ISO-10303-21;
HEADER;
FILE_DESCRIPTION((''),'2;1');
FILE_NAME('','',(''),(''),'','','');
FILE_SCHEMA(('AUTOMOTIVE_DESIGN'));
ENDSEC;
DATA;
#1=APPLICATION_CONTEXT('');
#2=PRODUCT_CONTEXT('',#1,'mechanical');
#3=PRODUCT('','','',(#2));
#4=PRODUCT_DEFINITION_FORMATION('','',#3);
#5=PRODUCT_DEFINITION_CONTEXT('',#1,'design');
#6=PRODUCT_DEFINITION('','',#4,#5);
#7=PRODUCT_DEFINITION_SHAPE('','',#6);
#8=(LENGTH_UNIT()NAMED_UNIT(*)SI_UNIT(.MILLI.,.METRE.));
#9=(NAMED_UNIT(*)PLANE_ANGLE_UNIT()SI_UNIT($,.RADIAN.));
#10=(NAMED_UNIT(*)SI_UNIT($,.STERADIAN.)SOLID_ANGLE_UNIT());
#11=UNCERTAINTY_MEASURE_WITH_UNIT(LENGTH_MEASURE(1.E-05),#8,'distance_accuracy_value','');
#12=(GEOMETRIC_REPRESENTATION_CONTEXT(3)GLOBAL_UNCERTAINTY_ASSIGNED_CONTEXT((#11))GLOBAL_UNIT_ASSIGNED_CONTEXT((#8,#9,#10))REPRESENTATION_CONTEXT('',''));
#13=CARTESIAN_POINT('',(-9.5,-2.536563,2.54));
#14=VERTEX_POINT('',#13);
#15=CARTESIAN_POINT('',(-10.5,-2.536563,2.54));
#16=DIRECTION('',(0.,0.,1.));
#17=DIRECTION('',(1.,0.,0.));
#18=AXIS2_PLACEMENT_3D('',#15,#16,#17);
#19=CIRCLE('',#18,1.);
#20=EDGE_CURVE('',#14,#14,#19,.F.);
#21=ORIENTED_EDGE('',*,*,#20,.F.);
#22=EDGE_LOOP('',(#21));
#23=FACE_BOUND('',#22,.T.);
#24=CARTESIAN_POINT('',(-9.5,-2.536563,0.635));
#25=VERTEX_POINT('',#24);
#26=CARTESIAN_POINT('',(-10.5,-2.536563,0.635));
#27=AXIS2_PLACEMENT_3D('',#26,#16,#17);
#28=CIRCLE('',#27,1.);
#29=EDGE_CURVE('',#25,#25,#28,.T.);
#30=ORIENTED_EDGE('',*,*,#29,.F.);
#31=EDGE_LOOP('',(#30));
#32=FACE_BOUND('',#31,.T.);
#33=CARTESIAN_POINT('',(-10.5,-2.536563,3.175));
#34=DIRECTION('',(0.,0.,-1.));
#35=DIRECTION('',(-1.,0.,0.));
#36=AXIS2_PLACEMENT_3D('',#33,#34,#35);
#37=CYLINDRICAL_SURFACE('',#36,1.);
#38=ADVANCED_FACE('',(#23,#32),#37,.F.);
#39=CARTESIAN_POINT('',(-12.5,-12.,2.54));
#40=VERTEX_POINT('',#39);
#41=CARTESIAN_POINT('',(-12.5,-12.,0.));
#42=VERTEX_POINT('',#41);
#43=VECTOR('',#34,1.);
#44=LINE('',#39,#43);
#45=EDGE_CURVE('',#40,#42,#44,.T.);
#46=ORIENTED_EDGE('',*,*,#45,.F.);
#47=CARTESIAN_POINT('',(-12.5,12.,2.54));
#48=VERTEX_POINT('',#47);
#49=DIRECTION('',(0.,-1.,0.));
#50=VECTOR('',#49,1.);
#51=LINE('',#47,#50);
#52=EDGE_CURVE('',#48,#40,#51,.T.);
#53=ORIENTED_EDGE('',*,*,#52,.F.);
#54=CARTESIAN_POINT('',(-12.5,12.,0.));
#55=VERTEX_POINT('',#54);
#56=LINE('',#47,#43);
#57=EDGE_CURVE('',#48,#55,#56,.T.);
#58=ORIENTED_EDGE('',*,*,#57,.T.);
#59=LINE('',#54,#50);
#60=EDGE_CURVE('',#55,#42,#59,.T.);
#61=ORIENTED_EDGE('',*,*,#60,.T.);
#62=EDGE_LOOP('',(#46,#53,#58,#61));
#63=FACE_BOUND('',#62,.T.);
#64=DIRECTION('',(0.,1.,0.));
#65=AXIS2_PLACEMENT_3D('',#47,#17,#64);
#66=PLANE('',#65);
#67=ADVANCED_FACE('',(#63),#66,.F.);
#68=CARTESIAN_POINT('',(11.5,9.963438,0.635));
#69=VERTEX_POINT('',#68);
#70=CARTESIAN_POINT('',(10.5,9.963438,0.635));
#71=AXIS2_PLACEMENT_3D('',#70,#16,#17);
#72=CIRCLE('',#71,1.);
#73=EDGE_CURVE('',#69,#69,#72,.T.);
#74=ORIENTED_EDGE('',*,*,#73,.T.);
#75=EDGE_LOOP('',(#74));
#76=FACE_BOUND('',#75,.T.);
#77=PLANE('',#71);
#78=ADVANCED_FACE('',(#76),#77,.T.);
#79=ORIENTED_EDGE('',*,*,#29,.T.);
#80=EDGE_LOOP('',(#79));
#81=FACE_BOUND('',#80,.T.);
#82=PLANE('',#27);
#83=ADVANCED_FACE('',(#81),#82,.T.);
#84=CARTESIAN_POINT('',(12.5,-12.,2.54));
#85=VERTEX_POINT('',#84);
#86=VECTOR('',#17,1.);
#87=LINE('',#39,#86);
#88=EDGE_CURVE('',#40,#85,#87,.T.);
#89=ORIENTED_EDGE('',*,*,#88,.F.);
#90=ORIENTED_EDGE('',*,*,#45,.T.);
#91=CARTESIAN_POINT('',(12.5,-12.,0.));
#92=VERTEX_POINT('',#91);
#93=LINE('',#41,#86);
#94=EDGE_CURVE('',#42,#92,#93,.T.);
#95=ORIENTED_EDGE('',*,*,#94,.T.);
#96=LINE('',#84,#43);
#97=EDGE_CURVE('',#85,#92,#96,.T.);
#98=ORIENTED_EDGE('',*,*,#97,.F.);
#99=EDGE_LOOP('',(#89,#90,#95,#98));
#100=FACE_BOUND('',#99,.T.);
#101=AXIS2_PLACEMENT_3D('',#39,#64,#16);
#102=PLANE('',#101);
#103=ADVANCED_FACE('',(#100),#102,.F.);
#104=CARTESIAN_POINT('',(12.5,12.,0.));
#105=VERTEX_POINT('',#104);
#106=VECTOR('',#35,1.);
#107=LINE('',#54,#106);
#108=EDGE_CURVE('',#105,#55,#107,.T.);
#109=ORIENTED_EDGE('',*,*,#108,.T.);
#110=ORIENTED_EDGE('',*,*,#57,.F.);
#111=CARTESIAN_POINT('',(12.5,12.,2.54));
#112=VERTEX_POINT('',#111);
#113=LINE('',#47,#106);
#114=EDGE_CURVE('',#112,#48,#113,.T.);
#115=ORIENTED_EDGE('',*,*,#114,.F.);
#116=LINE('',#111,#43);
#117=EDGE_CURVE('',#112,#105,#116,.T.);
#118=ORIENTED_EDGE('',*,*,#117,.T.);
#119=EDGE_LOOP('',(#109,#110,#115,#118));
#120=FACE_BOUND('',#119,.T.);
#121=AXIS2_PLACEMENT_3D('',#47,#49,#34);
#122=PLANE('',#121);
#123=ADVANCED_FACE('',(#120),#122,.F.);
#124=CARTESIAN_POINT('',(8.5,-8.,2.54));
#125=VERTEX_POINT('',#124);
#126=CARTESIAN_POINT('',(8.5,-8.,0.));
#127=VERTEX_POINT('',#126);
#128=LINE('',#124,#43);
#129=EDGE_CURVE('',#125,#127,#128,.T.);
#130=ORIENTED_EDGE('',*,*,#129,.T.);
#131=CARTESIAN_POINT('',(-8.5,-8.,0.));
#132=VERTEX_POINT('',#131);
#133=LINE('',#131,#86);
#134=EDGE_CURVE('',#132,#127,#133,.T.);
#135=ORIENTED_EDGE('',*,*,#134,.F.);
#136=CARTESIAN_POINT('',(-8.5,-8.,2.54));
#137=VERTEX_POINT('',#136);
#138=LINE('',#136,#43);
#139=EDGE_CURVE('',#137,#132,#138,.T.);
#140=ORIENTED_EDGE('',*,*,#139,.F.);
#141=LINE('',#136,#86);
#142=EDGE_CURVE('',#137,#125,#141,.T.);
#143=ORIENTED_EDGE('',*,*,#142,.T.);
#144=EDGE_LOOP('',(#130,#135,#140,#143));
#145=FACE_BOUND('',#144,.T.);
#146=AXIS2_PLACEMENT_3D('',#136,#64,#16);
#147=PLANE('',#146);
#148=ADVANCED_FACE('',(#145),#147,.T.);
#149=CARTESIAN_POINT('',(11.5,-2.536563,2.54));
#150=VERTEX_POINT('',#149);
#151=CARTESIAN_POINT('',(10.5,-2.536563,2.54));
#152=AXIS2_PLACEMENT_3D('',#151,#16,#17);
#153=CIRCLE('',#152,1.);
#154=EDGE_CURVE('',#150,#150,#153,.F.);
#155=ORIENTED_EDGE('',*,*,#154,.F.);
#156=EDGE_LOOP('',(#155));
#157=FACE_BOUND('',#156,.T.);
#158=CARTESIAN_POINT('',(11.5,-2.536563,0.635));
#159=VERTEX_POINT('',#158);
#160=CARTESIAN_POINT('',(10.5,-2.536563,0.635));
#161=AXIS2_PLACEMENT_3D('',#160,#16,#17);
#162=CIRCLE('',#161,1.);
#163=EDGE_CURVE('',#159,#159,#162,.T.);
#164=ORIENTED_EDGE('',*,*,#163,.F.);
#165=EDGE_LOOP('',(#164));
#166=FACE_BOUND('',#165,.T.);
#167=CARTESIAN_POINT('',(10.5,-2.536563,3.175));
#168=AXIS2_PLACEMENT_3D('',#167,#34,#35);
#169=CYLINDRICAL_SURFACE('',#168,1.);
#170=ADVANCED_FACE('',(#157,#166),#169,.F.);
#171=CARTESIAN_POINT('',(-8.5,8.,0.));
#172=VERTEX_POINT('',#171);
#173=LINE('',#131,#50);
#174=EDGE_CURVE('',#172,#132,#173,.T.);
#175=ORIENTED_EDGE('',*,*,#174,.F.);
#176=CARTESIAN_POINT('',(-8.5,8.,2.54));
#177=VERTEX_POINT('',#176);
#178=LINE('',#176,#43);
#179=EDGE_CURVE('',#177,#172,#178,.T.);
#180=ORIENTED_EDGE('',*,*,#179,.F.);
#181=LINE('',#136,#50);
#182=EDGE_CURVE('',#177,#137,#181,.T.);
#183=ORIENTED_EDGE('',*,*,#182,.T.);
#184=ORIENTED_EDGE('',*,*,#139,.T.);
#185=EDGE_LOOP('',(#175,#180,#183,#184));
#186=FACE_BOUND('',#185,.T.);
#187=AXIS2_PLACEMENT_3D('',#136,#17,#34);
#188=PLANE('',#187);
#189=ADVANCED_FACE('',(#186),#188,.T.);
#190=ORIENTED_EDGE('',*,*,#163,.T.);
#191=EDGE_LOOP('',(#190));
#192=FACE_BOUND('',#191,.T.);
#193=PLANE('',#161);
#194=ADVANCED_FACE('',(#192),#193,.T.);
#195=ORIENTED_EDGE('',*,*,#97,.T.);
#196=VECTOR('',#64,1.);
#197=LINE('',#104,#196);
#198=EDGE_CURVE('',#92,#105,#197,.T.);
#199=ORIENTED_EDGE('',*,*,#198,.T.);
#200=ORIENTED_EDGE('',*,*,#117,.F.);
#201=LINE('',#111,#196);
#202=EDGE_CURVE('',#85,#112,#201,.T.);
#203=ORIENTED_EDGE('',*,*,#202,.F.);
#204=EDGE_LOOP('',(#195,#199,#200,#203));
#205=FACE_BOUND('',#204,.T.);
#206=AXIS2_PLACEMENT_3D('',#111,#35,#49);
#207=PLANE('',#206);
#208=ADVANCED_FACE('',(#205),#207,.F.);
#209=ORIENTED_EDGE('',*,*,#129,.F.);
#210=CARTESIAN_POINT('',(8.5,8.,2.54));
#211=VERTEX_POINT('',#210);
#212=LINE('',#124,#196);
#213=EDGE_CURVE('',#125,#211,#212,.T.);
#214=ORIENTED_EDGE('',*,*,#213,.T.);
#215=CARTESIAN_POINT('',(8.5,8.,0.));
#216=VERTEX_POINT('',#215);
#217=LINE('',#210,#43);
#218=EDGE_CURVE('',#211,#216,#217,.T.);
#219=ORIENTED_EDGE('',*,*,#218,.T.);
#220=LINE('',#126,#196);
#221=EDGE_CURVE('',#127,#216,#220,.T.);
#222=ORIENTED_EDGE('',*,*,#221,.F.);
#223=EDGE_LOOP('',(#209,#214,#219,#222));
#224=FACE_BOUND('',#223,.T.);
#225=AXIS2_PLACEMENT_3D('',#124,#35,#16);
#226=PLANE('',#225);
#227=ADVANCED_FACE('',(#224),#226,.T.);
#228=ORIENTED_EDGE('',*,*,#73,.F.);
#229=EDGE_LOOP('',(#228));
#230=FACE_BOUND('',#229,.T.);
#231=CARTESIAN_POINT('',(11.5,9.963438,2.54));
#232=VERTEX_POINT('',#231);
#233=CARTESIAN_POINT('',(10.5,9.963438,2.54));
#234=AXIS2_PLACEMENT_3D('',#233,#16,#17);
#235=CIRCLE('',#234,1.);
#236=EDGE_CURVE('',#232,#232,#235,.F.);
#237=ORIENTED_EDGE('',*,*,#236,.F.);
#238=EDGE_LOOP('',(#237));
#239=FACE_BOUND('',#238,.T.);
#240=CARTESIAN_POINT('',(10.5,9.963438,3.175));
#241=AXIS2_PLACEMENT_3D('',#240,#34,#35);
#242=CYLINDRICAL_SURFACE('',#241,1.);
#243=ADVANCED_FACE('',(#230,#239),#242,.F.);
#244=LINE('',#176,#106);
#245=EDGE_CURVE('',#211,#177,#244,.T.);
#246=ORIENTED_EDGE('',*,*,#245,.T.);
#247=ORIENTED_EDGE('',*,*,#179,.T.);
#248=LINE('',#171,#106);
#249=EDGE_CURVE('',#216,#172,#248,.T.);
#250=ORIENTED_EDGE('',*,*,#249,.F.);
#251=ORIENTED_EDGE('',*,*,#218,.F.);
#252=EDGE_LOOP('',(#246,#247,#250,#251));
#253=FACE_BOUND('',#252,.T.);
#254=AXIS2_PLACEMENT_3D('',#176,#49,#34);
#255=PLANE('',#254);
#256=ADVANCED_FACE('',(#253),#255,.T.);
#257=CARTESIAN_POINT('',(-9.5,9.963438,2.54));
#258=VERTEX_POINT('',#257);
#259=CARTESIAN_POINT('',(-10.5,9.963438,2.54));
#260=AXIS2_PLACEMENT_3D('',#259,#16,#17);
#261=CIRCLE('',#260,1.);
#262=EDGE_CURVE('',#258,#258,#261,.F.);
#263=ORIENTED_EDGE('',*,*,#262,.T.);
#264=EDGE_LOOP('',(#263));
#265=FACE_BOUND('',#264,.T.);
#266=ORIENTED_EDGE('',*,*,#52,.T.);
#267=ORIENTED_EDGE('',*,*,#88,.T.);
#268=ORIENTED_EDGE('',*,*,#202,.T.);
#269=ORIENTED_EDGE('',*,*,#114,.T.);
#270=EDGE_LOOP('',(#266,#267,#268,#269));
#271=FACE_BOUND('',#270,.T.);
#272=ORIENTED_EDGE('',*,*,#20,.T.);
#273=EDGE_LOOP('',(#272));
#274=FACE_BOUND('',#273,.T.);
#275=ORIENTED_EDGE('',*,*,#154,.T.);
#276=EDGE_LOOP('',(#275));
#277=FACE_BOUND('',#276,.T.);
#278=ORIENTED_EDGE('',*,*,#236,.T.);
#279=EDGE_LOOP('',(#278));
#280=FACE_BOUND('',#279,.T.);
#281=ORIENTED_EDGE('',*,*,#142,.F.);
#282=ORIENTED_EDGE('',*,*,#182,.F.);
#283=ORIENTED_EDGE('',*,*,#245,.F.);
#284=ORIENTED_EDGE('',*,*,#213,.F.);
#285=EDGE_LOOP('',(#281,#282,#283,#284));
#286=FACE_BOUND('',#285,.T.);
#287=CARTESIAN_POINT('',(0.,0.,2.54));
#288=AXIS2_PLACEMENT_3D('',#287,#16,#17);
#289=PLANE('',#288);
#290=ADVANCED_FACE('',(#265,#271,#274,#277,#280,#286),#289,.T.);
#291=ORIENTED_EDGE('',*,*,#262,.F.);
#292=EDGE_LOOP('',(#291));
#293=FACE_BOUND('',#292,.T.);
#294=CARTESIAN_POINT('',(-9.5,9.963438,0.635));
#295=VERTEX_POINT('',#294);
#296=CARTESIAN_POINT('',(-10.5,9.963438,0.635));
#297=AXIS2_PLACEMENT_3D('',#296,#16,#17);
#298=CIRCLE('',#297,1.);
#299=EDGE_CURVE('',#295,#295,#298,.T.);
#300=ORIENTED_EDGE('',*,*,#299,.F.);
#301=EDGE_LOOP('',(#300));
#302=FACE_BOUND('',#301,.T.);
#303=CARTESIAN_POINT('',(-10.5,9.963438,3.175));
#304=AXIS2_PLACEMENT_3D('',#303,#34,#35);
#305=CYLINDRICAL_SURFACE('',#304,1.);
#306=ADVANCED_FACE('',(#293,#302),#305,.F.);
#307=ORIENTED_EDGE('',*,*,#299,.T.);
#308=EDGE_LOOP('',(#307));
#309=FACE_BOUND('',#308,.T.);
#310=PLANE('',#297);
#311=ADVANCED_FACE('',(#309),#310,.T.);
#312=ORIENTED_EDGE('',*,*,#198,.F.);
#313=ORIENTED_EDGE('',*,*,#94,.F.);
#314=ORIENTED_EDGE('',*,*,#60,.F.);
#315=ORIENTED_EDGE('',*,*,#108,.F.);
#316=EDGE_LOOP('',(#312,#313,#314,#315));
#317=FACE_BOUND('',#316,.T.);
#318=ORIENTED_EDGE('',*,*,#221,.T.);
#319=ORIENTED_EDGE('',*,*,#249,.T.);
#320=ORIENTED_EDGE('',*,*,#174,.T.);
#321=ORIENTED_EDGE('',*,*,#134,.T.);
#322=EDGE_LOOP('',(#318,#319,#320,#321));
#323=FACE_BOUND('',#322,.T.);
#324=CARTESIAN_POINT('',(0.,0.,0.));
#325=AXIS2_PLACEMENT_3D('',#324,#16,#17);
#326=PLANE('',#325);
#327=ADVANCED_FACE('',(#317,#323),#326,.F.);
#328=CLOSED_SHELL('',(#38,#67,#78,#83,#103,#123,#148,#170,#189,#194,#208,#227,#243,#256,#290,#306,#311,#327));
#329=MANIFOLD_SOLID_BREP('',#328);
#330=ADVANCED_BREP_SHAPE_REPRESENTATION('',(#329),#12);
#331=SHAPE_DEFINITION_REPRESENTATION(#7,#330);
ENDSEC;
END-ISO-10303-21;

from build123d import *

# Parameters (mm, degrees)
SKETCH1_W           = 25.0000008
SKETCH1_H           = 24.00000026
SKETCH1_W_2         = 17.000000544
SKETCH1_H_2         = 16.000000004
BOSS_EXTRUDE1_DEPTH = 2.54
SKETCH2_R           = 1.000000032
CUT_EXTRUDE1_DEPTH  = 2.54


with BuildPart() as part:
    # Sketch1 → Boss-Extrude1 (new body)
    with BuildSketch(Plane.XY):
        Rectangle(SKETCH1_W, SKETCH1_H)
        Rectangle(SKETCH1_W_2, SKETCH1_H_2, mode=Mode.SUBTRACT)
    extrude(amount=BOSS_EXTRUDE1_DEPTH)

    # Sketch2 → Cut-Extrude1 (cut)
    with BuildSketch(Plane.XY.offset(0.635)):
        with Locations((-10.500000336, 9.963437842)):
            Circle(SKETCH2_R)
        with Locations((-10.500000336, -2.536562558)):
            Circle(SKETCH2_R)
        with Locations((10.500000336, 9.963437842)):
            Circle(SKETCH2_R)
        with Locations((10.500000336, -2.536562558)):
            Circle(SKETCH2_R)
    extrude(amount=CUT_EXTRUDE1_DEPTH, mode=Mode.SUBTRACT)


solid = part.part
